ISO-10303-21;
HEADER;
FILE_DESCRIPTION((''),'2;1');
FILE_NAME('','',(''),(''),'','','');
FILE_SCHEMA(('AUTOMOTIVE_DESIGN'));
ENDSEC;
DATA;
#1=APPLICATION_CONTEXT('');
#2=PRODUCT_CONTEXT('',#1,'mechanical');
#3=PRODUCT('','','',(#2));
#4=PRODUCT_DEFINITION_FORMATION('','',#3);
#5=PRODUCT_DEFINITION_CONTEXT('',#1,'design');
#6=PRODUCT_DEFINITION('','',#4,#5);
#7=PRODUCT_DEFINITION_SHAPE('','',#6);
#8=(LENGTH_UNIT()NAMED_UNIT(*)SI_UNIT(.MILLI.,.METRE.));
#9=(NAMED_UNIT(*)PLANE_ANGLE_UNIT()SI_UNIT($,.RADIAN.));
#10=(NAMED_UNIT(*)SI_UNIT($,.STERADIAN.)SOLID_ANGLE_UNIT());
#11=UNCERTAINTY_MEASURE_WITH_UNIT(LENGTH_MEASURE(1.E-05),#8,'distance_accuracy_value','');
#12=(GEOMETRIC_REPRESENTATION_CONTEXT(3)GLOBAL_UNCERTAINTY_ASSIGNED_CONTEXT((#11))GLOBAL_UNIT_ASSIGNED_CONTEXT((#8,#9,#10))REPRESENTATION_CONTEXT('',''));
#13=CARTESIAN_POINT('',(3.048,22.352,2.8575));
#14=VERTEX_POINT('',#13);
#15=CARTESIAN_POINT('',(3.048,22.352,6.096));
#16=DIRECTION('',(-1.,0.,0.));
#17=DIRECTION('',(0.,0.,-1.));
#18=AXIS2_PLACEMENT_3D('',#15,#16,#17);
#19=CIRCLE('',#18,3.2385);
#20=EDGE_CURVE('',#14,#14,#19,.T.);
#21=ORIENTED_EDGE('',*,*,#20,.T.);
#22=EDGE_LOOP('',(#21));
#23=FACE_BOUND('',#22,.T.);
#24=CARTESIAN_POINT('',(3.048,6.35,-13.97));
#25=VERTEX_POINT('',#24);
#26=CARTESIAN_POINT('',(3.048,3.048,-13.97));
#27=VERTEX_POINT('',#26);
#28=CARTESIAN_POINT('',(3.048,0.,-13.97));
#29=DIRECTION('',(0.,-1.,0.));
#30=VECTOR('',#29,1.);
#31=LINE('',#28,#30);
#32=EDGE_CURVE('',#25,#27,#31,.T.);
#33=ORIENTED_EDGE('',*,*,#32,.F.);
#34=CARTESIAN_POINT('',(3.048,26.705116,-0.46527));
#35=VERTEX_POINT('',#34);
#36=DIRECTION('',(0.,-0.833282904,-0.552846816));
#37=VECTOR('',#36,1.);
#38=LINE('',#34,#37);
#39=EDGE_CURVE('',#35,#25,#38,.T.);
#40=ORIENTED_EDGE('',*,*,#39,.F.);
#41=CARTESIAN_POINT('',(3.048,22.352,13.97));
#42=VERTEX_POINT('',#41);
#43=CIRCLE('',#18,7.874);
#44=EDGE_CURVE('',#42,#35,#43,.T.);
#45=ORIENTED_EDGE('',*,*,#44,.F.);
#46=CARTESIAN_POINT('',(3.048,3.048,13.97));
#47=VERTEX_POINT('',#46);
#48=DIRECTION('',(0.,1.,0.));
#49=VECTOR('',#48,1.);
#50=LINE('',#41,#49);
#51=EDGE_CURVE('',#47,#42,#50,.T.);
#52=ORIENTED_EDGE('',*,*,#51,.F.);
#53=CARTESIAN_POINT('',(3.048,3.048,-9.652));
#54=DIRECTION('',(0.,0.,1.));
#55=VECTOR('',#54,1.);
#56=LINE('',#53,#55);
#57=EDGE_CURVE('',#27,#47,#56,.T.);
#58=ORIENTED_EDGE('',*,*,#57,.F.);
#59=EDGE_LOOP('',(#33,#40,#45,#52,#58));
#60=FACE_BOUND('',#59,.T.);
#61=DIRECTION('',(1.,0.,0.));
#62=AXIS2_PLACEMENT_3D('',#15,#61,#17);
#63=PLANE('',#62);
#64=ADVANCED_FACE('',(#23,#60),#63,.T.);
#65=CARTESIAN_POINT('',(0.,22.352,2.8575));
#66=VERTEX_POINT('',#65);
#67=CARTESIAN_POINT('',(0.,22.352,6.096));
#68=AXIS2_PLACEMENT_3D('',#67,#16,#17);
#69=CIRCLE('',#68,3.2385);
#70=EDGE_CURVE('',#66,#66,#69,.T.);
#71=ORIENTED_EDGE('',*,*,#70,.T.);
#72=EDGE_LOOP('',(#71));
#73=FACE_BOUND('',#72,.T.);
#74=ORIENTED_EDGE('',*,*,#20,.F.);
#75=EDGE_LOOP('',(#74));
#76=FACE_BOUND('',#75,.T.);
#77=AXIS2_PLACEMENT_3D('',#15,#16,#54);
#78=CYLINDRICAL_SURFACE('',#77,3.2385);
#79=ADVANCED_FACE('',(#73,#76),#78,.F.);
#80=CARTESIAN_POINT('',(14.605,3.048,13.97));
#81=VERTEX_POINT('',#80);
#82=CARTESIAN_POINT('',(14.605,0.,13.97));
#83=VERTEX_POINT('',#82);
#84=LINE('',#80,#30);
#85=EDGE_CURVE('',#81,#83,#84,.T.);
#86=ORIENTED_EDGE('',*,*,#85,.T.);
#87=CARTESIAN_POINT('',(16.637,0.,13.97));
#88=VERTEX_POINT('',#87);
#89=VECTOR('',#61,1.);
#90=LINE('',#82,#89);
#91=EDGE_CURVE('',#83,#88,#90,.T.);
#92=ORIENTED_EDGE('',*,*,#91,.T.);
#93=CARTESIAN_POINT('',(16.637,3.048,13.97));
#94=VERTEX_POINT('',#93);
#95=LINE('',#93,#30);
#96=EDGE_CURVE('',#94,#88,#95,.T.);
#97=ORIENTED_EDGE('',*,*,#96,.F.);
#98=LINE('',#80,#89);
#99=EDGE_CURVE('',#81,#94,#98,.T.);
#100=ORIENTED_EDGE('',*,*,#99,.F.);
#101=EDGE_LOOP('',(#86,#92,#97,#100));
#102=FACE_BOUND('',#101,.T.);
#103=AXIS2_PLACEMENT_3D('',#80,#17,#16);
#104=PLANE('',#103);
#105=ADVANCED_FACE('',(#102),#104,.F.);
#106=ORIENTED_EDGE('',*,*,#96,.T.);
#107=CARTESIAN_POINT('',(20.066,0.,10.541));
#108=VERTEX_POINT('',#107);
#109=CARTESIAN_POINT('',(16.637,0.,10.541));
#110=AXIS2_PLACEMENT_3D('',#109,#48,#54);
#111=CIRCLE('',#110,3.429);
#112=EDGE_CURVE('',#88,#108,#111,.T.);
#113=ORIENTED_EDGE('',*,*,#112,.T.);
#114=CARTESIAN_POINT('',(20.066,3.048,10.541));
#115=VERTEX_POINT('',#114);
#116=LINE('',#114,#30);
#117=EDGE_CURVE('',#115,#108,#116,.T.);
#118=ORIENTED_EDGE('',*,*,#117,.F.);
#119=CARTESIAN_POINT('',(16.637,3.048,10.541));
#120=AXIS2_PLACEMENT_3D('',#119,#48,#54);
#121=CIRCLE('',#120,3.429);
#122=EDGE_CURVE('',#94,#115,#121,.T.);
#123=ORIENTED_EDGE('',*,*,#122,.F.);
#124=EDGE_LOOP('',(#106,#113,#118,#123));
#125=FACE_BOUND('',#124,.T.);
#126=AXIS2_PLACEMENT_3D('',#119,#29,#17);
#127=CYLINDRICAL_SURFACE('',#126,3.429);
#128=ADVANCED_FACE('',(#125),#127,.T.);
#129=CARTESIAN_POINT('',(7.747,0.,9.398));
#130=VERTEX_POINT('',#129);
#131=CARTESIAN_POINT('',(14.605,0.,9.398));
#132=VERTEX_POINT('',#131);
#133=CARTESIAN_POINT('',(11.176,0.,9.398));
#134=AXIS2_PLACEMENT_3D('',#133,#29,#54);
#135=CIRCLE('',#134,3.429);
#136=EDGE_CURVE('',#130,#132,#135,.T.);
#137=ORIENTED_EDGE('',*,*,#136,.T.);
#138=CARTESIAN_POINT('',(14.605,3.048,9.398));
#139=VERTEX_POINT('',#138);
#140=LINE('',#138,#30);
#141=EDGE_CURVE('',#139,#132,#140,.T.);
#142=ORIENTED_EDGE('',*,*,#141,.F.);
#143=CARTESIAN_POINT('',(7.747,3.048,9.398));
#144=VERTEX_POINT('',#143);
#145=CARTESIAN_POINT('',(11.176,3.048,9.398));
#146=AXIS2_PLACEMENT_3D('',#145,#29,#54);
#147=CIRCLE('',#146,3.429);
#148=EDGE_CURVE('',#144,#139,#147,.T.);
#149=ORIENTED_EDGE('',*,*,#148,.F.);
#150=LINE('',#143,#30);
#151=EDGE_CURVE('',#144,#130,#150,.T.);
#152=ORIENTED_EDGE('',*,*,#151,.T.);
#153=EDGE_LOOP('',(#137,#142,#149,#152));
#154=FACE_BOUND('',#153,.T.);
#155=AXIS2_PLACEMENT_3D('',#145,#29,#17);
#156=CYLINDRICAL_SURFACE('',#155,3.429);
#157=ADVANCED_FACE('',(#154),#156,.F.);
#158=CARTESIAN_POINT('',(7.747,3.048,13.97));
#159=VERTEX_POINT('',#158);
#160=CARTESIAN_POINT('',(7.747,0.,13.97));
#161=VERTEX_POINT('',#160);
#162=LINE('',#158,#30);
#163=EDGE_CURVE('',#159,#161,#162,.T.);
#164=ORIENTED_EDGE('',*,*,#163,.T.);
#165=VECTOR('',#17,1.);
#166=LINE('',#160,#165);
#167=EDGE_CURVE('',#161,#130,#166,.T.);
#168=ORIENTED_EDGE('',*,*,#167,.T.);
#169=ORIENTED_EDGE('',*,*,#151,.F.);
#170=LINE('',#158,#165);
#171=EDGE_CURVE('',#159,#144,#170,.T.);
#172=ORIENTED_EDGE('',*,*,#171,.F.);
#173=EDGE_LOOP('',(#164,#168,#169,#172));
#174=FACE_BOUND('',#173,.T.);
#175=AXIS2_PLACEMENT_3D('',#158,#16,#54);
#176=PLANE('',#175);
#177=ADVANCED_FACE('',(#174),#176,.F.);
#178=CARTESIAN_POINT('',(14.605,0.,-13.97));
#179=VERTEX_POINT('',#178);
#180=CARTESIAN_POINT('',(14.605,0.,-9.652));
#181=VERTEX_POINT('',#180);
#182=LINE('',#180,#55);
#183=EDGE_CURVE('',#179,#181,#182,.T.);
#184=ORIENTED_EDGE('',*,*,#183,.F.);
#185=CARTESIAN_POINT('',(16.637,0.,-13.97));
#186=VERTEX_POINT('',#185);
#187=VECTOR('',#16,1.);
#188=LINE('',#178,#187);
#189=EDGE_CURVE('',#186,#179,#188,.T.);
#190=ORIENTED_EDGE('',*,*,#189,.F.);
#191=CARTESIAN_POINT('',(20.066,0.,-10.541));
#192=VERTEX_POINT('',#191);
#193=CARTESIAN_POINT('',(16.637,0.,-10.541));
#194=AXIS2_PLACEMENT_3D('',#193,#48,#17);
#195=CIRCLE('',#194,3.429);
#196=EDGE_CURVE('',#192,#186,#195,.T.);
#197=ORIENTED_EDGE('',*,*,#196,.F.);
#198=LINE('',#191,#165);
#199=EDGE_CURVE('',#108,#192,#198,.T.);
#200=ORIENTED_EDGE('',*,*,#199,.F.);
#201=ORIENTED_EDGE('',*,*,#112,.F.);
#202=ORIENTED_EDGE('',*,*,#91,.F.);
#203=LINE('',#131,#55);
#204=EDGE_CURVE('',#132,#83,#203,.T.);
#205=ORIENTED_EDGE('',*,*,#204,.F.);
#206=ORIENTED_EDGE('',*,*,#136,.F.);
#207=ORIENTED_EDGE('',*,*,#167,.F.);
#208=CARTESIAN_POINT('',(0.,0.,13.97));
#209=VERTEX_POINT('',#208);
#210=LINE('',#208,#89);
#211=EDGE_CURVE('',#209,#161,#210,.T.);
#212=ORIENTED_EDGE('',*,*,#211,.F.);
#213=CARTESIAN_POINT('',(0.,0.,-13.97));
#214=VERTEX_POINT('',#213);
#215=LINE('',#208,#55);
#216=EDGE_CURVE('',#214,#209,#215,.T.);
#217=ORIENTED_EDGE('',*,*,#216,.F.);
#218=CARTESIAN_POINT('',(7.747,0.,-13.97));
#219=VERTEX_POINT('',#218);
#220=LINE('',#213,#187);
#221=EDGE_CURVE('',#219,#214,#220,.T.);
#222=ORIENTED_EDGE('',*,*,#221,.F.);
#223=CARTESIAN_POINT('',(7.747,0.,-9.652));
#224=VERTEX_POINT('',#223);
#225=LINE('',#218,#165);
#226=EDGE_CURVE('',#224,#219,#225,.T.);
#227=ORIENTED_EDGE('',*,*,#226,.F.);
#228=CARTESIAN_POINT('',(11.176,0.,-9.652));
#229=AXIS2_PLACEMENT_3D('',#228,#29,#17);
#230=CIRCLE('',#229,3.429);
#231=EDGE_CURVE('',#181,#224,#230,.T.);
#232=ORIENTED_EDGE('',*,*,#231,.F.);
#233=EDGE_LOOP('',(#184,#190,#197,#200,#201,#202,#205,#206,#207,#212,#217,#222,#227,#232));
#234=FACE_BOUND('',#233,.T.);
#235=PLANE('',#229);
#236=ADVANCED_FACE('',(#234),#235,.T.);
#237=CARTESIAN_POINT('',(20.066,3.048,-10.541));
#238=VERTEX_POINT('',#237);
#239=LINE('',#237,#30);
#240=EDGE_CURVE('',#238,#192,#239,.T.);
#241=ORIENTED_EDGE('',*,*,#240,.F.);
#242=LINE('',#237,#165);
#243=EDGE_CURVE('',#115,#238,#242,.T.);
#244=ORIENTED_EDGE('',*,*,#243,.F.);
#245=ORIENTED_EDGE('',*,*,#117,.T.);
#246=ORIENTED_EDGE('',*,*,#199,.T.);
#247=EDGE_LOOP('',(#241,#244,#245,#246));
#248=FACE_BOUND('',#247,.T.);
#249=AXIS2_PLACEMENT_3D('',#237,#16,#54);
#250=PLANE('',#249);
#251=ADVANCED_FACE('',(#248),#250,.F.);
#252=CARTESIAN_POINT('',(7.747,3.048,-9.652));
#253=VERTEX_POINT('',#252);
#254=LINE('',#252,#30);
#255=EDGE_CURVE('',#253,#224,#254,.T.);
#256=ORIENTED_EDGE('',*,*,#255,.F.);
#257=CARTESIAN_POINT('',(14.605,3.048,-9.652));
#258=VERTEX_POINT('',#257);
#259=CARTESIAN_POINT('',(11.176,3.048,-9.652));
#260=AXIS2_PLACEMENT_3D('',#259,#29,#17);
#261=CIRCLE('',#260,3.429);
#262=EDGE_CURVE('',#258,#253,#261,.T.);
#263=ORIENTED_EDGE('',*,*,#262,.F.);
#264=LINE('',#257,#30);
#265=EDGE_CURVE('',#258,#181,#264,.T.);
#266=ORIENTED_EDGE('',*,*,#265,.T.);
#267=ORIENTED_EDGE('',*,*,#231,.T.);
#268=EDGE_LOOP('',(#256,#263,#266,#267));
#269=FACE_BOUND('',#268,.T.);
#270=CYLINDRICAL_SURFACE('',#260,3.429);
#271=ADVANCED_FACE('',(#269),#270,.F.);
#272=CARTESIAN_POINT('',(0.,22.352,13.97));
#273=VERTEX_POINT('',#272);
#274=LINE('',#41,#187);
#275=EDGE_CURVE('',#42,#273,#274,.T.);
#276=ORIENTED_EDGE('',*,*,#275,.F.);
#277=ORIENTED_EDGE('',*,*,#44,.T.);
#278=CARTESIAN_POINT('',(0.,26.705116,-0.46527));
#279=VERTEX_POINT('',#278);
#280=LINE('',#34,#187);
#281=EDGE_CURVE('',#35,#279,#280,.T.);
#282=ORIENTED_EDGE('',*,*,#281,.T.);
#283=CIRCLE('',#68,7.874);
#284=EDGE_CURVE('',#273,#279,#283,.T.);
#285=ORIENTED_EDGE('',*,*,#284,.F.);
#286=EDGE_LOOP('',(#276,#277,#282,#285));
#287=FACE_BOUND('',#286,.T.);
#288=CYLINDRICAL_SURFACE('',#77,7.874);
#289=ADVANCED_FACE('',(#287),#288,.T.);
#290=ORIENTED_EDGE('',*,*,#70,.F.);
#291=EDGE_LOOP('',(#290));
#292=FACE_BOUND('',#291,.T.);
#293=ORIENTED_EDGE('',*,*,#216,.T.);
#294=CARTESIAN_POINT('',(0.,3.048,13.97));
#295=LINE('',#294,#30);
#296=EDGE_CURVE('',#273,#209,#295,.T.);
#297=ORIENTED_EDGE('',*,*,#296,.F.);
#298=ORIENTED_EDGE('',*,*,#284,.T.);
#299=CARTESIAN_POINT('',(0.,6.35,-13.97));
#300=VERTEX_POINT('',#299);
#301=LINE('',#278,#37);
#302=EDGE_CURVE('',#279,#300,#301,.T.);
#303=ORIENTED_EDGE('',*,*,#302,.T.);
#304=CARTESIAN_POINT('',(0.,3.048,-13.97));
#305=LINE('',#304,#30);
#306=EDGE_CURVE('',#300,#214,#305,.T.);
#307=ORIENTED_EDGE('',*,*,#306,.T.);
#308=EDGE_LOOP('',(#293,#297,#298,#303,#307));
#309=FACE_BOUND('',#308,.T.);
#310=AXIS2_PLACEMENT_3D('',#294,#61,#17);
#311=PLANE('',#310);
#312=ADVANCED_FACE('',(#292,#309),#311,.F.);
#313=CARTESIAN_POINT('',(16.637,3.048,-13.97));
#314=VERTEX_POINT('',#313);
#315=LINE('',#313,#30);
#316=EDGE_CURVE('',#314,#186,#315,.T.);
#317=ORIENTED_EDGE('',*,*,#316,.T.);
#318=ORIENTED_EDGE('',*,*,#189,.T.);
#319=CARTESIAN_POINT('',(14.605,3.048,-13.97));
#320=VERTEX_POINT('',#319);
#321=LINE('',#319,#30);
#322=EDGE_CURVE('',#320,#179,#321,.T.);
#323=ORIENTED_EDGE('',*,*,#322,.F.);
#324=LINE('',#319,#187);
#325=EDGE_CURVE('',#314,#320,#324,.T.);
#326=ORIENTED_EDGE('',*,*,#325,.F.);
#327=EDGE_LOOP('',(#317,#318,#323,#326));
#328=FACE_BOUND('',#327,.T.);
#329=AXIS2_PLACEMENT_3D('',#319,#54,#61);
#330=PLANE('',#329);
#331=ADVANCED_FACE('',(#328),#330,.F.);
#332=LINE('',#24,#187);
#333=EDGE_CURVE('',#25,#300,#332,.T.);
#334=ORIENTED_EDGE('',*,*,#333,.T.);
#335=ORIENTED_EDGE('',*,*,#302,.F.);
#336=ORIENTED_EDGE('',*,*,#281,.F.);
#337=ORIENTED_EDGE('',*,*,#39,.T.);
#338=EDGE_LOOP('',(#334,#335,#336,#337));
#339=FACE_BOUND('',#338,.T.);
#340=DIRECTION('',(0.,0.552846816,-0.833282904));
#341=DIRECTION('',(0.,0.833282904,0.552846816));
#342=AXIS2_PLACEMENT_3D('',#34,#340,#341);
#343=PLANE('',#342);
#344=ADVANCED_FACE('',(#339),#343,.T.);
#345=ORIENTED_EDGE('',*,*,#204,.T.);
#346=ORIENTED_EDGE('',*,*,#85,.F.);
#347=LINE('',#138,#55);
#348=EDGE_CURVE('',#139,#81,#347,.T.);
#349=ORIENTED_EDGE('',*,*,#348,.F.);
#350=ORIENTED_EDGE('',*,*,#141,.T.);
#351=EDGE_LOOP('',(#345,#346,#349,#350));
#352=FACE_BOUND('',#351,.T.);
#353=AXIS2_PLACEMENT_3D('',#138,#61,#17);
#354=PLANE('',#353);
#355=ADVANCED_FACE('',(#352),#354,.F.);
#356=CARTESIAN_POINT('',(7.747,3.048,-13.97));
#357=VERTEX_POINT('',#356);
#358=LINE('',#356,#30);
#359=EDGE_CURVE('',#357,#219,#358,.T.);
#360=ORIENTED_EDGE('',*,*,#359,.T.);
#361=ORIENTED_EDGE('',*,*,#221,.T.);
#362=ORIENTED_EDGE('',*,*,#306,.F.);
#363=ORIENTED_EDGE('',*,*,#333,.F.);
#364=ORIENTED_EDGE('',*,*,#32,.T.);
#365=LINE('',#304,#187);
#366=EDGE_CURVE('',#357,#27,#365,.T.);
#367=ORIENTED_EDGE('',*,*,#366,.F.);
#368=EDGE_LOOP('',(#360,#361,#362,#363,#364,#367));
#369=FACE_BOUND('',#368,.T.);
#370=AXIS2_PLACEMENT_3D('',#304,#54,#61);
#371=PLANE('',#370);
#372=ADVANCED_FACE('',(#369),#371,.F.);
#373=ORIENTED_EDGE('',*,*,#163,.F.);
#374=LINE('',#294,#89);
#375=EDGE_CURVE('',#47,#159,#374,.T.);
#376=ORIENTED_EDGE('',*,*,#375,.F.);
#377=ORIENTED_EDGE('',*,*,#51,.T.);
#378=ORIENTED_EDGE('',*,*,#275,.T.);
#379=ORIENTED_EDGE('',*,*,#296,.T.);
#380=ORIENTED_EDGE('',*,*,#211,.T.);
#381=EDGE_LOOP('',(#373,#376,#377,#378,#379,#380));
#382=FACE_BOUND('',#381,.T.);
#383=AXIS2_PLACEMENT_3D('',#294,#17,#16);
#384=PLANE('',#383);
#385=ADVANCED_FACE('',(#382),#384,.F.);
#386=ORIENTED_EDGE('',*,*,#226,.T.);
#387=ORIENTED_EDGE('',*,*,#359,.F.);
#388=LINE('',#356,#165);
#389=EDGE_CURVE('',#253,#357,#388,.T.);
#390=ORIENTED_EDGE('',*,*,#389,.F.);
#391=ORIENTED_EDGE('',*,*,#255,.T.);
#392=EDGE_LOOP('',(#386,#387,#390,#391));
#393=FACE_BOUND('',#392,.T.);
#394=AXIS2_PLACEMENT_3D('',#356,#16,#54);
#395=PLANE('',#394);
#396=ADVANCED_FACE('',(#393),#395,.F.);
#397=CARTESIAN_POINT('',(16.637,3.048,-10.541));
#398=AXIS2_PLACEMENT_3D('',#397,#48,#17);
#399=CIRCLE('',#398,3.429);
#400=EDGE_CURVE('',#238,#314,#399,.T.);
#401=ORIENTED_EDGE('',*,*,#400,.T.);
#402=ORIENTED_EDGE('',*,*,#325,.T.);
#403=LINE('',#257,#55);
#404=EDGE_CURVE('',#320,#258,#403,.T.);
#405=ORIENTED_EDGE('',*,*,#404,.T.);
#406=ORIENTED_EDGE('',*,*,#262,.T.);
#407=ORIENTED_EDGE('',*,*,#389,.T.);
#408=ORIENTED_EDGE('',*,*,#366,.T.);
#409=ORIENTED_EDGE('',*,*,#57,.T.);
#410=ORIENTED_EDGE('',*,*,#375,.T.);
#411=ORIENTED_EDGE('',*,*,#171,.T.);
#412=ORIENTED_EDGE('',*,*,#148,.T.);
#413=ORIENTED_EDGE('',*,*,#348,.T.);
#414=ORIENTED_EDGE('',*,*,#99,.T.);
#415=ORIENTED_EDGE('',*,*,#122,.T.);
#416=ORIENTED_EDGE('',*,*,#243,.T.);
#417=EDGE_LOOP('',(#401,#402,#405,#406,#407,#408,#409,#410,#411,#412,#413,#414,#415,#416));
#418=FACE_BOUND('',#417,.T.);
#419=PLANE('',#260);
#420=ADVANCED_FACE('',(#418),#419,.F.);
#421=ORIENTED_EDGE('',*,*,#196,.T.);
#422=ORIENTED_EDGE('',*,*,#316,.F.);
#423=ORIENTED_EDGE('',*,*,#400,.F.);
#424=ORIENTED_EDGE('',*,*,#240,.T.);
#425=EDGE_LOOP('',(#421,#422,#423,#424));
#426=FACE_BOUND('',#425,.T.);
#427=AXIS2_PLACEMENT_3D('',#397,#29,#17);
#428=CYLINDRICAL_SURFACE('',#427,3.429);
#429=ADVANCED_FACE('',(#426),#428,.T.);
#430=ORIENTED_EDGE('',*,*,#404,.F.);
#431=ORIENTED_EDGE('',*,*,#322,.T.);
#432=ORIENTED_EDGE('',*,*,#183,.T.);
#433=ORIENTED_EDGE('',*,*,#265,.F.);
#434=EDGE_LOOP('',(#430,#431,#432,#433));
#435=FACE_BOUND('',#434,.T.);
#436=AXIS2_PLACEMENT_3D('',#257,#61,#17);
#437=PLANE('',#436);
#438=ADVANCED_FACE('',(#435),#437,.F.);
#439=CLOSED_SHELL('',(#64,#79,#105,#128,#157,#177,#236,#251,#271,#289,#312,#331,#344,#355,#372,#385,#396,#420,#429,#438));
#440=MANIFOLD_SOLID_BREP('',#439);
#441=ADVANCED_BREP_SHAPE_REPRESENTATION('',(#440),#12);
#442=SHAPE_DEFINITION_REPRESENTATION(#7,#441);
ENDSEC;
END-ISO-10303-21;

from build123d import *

# Parameters (mm, degrees)
BASE_EXTRUDE_DEPTH = 3.048
SKETCH4_R          = 3.2385
REARRIB_DEPTH      = 3.048


with BuildPart() as part:
    # Sketch2 → Base-Extrude (new body)
    with BuildSketch(Plane(origin=(0, 0, 0), x_dir=(1, 0, 0), z_dir=(0, 1, 0))):
        with BuildLine():
            Line((0, 13.97), (7.747, 13.97))
            Line((7.747, 13.97), (7.747, 9.652))
            ThreePointArc((7.747, 9.652), (11.176, 6.223), (14.605, 9.652))
            Line((14.605, 9.652), (14.605, 13.97))
            Line((14.605, 13.97), (16.637, 13.97))
            ThreePointArc((16.637, 13.97), (19.061669153, 12.965669153), (20.066, 10.541))
            Line((20.066, 10.541), (20.066, -10.541))
            ThreePointArc((20.066, -10.541), (19.061669153, -12.965669153), (16.637, -13.97))
            Line((16.637, -13.97), (14.605, -13.97))
            Line((14.605, -13.97), (14.605, -9.398))
            ThreePointArc((14.605, -9.398), (11.176, -5.969), (7.747, -9.398))
            Line((7.747, -9.398), (7.747, -13.97))
            Line((7.747, -13.97), (0, -13.97))
            Line((0, -13.97), (0, 13.97))
        make_face()
    extrude(amount=BASE_EXTRUDE_DEPTH)

    # Sketch4 → RearRib (add)
    with BuildSketch(Plane.ZY):
        with BuildLine():
            Line((13.97, 22.352), (13.97, 0))
            Line((13.97, 0), (-13.97, 0))
            Line((-13.97, 0), (-13.97, 6.35))
            Line((-13.97, 6.35), (-0.465269586, 26.70511583))
            ThreePointArc((-0.465269586, 26.70511583), (8.369371866, 29.890677361), (13.97, 22.352))
        make_face()
        with Locations((6.096, 22.352)):
            Circle(SKETCH4_R, mode=Mode.SUBTRACT)
    extrude(amount=-REARRIB_DEPTH)


solid = part.part
